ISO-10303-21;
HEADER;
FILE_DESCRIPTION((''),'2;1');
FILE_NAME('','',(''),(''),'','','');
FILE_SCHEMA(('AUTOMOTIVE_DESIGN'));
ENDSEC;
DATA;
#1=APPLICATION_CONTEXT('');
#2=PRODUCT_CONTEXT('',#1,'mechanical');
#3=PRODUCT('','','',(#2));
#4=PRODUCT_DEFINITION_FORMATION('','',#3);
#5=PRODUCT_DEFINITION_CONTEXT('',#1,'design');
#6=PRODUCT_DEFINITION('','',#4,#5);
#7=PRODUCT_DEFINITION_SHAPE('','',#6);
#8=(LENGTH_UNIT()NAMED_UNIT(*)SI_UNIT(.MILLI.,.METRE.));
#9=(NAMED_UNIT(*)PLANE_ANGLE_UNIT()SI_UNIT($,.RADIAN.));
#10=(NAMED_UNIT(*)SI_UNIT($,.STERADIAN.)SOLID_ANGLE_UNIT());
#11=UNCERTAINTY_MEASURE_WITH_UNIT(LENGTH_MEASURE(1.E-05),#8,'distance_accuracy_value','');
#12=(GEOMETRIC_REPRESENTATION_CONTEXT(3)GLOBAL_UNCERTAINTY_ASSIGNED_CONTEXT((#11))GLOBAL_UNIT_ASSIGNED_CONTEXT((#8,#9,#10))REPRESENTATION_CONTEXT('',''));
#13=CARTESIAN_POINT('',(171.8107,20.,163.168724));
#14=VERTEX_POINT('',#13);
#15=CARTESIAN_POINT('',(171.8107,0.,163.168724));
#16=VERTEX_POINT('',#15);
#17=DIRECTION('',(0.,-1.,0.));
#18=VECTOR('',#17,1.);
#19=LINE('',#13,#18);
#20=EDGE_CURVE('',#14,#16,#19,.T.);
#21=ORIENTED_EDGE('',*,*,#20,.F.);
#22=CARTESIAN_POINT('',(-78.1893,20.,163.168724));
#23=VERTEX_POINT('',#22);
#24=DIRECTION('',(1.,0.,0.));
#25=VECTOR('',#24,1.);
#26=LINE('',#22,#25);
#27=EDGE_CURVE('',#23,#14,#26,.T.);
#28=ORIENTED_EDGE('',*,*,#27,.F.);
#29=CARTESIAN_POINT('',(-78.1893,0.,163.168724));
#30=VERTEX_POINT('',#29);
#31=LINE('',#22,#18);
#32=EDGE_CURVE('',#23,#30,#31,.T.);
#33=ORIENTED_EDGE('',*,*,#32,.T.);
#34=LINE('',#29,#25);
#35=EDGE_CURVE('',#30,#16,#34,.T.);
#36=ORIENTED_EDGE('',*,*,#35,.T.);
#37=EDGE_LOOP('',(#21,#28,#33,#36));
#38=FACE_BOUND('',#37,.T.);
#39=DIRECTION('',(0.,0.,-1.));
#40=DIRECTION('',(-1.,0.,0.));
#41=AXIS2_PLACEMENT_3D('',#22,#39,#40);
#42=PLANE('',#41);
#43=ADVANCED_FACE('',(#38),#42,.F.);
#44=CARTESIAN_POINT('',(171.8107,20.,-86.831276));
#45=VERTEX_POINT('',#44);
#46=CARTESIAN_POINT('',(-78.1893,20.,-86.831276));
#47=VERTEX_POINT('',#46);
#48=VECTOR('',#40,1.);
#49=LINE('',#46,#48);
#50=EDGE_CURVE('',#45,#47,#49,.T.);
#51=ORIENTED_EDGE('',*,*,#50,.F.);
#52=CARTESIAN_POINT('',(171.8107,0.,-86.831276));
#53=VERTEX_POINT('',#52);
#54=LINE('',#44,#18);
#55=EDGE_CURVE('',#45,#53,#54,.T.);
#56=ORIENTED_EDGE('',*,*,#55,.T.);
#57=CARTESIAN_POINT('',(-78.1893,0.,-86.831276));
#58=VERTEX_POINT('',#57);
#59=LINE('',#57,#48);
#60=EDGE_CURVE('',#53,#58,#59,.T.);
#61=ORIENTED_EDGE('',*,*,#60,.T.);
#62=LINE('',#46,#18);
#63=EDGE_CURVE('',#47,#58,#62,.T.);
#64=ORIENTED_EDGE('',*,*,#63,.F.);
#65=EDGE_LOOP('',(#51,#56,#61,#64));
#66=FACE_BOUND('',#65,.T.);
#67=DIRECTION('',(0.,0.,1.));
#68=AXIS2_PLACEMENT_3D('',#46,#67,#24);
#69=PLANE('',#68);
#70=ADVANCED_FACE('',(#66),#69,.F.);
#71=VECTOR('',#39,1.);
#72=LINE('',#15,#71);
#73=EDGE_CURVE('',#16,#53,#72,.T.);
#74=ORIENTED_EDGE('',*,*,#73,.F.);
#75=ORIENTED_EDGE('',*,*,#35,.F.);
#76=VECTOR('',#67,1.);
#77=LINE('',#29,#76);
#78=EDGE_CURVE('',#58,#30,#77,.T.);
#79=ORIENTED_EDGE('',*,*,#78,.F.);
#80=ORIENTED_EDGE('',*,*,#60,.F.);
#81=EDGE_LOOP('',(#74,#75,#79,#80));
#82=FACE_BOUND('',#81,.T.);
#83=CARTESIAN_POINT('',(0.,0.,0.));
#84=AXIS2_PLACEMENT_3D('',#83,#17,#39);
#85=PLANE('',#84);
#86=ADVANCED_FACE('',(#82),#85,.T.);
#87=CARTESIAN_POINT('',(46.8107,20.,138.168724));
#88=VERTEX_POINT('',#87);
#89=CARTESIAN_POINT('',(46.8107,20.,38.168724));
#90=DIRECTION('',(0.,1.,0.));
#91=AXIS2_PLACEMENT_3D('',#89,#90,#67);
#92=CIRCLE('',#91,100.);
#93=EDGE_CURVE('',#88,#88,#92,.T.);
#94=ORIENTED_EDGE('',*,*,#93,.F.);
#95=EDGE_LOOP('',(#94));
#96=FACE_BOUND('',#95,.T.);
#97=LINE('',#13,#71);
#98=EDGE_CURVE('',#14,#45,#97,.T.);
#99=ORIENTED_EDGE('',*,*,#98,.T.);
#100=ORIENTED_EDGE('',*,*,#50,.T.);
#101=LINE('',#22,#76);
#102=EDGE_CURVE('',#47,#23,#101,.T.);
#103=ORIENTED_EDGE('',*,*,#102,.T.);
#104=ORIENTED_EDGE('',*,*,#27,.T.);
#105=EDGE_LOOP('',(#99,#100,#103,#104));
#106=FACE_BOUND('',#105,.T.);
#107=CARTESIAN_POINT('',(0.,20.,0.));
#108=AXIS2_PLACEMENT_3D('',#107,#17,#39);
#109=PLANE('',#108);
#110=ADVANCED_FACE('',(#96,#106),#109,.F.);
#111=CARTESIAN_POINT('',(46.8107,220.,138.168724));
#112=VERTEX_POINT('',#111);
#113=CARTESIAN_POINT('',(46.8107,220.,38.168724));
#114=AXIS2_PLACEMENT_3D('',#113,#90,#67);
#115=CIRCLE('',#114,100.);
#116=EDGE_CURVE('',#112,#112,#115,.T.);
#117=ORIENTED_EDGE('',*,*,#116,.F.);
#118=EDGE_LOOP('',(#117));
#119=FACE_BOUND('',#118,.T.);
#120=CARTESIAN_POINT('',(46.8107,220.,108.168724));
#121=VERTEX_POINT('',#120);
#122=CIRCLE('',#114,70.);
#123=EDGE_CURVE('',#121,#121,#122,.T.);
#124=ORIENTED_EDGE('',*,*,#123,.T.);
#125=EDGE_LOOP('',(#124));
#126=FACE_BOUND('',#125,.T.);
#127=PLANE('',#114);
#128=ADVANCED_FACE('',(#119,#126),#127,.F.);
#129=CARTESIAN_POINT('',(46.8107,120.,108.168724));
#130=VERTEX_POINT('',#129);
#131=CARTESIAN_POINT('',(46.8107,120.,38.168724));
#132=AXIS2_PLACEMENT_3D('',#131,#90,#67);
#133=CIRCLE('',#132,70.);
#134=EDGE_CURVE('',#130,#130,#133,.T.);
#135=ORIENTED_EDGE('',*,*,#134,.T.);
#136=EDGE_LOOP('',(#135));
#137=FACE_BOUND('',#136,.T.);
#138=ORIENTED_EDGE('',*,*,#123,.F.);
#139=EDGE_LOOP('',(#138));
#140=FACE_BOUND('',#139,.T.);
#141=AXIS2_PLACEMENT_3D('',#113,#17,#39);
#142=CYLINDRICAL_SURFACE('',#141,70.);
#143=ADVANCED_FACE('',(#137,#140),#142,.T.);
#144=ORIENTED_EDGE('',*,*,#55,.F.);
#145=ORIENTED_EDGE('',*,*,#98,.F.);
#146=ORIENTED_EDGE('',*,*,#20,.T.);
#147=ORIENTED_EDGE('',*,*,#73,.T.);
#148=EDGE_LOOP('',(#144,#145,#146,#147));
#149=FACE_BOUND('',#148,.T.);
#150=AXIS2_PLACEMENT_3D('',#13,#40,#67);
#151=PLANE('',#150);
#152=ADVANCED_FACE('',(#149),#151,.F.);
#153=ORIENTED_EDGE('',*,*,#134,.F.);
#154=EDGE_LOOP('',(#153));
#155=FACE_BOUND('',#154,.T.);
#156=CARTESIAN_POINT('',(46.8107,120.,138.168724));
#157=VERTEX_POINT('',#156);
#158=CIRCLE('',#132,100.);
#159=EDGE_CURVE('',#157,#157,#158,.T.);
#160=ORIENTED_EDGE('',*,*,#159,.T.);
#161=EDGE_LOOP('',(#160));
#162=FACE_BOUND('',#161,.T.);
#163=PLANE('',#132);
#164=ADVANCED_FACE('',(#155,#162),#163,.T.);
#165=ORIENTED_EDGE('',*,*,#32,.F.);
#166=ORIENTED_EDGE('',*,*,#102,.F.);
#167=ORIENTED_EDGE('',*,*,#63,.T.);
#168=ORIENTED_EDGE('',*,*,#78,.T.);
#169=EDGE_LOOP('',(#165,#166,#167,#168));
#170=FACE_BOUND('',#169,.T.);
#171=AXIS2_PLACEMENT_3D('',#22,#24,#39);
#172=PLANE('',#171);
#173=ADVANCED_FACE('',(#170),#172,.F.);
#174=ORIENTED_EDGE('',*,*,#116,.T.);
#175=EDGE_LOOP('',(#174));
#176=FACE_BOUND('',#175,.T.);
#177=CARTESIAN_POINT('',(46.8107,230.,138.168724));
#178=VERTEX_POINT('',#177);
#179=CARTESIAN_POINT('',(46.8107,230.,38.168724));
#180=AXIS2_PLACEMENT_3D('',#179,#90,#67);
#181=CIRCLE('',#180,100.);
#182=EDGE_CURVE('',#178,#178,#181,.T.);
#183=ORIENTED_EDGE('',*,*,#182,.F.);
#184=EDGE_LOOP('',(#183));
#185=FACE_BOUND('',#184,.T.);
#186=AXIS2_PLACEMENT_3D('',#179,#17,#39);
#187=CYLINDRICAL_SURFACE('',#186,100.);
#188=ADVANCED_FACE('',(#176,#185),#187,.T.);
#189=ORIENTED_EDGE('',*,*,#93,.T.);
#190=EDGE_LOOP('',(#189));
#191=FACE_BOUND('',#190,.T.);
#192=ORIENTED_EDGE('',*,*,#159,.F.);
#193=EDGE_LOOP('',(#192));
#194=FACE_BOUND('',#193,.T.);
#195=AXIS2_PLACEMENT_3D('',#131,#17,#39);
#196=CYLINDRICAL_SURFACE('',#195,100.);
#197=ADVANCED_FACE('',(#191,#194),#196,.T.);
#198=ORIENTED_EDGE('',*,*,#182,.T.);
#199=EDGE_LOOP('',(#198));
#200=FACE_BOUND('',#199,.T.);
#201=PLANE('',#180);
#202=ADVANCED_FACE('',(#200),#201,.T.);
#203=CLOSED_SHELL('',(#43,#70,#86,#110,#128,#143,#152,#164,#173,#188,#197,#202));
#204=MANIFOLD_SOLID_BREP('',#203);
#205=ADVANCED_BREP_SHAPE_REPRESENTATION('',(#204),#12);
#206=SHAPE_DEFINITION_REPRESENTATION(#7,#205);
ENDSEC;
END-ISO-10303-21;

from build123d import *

# Parameters (mm, degrees)
SKETCH1_W           = 250
SKETCH1_H           = 250
BOSS_EXTRUDE1_DEPTH = 20
SKETCH2_R           = 100
BOSS_EXTRUDE2_DEPTH = 100
SKETCH3_R           = 70
BOSS_EXTRUDE3_DEPTH = 100
SKETCH4_R           = 100
BOSS_EXTRUDE4_DEPTH = 10


with BuildPart() as part:
    # Sketch1 → Boss-Extrude1 (new body)
    with BuildSketch(Plane(origin=(0, 0, 0), x_dir=(1, 0, 0), z_dir=(0, 1, 0))):
        with Locations((46.810699588, -38.16872428)):
            Rectangle(SKETCH1_W, SKETCH1_H)
    extrude(amount=BOSS_EXTRUDE1_DEPTH)

    # Sketch2 → Boss-Extrude2 (add)
    with BuildSketch(Plane(origin=(0, 20, 0), x_dir=(1, 0, 0), z_dir=(0, 1, 0))):
        with Locations(Location((46.810699588, -38.16872428, 0), (0, 0, 270))):
            Circle(SKETCH2_R)
    extrude(amount=BOSS_EXTRUDE2_DEPTH)

    # Sketch3 → Boss-Extrude3 (add)
    with BuildSketch(Plane(origin=(0, 120, 0), x_dir=(1, 0, 0), z_dir=(0, 1, 0))):
        with Locations(Location((46.810699588, -38.16872428, 0), (0, 0, 270))):
            Circle(SKETCH3_R)
    extrude(amount=BOSS_EXTRUDE3_DEPTH)

    # Sketch4 → Boss-Extrude4 (add)
    with BuildSketch(Plane(origin=(0, 220, 0), x_dir=(1, 0, 0), z_dir=(0, 1, 0))):
        with Locations(Location((46.810699588, -38.16872428, 0), (0, 0, 270))):
            Circle(SKETCH4_R)
    extrude(amount=BOSS_EXTRUDE4_DEPTH)


solid = part.part
